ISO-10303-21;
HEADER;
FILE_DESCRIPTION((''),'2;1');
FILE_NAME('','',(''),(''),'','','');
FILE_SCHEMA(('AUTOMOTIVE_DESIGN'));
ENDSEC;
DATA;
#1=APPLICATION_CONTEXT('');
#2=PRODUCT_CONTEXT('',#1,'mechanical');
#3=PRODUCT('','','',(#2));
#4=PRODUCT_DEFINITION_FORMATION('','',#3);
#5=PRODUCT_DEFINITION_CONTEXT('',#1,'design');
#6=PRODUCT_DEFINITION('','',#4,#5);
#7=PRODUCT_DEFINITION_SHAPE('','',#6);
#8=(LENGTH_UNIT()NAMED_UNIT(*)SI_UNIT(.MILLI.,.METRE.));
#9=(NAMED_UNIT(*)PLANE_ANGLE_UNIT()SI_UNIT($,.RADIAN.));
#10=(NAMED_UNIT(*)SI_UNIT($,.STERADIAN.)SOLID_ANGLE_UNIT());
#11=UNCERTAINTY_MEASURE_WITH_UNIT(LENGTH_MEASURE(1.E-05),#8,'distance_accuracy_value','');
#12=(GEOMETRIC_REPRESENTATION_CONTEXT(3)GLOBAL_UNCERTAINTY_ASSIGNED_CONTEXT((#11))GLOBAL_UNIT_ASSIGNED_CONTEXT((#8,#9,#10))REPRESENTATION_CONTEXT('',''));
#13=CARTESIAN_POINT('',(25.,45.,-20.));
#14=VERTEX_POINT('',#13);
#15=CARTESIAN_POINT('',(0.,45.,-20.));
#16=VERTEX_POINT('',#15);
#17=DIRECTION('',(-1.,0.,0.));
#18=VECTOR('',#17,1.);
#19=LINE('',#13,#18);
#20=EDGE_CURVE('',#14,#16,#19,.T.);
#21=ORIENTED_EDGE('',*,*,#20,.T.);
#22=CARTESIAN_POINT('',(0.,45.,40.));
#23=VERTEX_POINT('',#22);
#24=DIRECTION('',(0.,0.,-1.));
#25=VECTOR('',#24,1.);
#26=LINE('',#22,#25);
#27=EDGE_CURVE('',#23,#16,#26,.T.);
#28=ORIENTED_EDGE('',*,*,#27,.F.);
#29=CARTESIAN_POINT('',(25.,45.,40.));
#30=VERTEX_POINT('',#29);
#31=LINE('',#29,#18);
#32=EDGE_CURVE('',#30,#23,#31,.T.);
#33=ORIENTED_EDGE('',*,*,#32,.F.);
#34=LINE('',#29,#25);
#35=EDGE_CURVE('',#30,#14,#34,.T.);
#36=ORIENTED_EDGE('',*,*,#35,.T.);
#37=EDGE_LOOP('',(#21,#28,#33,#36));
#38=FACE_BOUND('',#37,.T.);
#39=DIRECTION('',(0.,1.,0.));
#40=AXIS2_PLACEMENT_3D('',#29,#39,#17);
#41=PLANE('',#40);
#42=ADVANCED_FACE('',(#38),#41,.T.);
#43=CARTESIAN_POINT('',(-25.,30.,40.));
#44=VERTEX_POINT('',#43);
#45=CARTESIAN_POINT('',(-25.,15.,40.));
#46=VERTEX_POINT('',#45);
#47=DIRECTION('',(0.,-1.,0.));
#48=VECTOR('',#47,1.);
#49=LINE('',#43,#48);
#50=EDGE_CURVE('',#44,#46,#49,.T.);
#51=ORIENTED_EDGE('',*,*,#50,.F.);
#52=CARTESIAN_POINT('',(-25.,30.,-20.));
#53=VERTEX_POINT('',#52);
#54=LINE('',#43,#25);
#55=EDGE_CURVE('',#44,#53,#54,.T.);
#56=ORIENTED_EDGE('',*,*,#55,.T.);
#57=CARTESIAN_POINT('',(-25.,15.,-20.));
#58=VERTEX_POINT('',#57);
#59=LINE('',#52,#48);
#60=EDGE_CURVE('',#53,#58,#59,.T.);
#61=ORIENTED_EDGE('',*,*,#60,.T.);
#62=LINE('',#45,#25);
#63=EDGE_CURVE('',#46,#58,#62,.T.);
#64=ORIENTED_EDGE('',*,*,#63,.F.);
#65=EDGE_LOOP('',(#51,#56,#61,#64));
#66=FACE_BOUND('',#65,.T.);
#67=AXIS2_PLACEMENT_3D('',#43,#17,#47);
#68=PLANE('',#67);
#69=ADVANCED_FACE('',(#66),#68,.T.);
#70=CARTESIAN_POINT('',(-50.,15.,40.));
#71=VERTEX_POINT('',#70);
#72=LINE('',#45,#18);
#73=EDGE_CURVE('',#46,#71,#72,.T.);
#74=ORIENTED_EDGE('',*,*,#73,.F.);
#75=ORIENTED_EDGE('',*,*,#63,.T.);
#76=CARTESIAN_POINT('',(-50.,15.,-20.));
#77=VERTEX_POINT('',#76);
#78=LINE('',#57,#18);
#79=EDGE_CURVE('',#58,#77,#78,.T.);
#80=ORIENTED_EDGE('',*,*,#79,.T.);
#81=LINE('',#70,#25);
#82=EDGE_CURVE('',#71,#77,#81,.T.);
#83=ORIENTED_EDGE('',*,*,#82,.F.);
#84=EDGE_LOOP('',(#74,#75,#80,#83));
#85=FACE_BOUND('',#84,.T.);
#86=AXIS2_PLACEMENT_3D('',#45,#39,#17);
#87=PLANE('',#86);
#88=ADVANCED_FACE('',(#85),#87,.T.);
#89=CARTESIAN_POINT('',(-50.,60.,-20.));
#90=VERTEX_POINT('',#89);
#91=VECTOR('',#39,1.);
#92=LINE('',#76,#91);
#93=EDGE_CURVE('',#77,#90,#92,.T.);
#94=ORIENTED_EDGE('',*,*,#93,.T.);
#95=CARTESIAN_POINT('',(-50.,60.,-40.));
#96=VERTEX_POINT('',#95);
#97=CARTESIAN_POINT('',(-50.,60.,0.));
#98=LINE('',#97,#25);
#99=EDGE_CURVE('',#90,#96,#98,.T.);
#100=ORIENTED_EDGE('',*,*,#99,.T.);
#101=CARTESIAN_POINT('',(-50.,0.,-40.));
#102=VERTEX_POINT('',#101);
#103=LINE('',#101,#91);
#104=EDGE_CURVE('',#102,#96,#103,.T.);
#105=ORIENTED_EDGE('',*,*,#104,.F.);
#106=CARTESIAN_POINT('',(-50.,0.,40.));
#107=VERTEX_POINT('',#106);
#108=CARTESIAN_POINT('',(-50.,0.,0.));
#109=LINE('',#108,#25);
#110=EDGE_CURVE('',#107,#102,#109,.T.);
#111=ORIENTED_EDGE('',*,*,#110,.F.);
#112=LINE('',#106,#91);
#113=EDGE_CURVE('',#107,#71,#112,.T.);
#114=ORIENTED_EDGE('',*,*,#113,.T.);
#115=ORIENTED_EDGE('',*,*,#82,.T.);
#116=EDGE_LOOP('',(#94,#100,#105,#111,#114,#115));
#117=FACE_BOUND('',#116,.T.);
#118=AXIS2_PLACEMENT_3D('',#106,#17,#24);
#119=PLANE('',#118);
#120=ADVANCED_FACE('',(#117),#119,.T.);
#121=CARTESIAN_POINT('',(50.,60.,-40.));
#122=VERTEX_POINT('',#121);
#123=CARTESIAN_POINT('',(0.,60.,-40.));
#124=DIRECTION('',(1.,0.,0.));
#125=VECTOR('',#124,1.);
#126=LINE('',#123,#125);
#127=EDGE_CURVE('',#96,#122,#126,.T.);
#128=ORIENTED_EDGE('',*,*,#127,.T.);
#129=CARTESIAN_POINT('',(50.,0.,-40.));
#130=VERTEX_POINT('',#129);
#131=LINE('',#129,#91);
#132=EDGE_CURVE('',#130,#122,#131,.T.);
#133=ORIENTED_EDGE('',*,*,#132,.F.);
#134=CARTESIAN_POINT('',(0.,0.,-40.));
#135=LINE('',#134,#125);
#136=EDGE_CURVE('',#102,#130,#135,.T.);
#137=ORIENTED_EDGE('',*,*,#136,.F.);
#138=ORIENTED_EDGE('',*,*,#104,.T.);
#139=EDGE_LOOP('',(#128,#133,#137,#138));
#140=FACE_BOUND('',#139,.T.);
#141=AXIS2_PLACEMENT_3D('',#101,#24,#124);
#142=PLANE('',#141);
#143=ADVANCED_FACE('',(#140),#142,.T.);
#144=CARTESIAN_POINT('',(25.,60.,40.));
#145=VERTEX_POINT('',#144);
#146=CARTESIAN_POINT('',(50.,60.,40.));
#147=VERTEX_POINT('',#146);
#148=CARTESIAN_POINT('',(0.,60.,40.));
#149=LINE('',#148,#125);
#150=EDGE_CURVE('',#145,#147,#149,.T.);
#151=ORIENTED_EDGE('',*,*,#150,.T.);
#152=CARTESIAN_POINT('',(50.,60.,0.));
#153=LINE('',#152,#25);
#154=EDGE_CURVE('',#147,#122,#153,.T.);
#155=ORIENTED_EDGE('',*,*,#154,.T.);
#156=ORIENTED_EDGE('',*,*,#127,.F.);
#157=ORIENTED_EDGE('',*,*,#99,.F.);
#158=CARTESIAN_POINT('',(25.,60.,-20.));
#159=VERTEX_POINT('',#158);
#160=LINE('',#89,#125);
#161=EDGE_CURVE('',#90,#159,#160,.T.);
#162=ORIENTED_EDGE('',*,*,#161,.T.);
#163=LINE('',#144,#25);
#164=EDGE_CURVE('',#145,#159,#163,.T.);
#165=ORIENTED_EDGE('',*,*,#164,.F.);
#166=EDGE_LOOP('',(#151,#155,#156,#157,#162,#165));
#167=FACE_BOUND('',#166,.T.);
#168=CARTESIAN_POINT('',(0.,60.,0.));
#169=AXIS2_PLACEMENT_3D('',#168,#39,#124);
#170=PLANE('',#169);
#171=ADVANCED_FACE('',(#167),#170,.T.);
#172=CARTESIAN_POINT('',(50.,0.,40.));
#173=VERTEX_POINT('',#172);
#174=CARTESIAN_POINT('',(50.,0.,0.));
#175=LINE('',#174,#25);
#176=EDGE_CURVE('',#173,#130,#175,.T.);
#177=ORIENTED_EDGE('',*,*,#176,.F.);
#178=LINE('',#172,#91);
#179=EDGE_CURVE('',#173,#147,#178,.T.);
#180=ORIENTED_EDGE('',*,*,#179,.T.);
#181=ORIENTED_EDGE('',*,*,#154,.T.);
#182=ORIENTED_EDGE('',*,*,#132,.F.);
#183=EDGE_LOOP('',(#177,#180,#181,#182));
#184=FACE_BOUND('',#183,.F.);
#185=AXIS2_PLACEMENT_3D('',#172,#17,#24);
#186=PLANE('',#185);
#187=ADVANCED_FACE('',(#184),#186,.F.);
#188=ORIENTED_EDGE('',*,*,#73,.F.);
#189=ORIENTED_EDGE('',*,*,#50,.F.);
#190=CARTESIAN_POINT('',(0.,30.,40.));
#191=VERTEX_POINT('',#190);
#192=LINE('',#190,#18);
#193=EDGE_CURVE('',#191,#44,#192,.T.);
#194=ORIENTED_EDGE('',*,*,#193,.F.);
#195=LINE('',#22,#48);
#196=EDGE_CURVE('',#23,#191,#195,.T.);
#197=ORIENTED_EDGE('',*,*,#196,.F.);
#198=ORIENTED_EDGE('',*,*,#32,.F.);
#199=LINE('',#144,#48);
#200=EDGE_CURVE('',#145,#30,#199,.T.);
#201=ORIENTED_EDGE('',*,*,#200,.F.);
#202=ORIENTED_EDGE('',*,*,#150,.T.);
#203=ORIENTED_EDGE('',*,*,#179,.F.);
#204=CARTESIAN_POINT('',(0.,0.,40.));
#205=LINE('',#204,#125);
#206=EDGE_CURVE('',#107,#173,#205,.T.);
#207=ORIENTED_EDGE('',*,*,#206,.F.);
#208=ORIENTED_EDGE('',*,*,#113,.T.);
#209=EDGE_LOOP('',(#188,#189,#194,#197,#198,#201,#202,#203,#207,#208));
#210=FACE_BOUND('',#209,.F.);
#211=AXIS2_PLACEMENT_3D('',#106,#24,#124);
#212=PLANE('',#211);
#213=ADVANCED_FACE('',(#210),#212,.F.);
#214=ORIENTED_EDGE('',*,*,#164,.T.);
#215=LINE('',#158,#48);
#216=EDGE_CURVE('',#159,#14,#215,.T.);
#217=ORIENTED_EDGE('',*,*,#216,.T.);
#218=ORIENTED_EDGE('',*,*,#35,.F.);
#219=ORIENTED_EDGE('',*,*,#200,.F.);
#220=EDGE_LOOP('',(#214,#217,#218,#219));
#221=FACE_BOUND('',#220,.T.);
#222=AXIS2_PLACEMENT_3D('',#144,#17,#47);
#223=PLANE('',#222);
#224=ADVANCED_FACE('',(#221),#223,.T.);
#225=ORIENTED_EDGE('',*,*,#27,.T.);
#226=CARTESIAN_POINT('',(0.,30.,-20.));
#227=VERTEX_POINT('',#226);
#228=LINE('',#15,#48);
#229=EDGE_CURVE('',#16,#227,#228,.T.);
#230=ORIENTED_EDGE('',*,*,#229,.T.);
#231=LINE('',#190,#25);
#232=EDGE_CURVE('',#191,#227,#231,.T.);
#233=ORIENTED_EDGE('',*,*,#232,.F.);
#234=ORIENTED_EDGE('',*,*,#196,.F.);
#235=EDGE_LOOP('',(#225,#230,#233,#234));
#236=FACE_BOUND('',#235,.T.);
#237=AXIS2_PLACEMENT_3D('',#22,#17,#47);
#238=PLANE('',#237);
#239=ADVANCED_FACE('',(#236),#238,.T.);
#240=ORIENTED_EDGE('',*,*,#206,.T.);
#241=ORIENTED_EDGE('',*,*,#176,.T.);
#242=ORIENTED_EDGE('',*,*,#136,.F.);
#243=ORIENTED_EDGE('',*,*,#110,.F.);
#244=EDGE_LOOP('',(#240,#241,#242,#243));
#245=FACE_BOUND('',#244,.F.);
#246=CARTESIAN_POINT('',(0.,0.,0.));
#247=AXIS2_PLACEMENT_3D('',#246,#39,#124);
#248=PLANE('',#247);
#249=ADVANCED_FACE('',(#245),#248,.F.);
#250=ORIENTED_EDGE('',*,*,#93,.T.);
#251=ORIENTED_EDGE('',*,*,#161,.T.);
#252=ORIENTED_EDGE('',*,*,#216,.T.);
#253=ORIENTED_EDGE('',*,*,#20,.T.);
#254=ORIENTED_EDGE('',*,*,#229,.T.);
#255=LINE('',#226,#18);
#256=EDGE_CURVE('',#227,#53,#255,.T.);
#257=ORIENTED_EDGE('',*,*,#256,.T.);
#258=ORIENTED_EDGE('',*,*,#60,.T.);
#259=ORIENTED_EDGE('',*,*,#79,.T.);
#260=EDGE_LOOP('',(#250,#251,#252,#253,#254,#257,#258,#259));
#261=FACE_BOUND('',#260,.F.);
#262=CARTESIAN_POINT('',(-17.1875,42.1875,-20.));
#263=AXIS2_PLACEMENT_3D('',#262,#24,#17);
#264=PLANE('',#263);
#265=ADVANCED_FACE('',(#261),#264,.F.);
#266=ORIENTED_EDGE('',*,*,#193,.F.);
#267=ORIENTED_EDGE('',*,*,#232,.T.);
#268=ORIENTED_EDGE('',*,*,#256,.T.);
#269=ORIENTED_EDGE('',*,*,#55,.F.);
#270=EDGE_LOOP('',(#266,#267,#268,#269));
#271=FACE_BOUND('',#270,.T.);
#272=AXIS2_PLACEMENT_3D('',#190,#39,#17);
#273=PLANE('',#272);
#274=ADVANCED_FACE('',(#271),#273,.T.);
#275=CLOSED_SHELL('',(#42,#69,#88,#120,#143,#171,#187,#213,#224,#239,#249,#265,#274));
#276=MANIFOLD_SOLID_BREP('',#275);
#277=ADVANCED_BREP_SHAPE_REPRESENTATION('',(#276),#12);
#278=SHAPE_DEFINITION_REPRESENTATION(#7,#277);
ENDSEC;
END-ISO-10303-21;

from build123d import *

# Parameters (mm, degrees)
SKETCH1_W           = 100
SKETCH1_H           = 80
BOSS_EXTRUDE1_DEPTH = 60
CUT_EXTRUDE1_DEPTH  = 60


with BuildPart() as part:
    # Sketch1 → Boss-Extrude1 (new body)
    with BuildSketch(Plane(origin=(0, 0, 0), x_dir=(1, 0, 0), z_dir=(0, 1, 0))):
        Rectangle(SKETCH1_W, SKETCH1_H)
    extrude(amount=BOSS_EXTRUDE1_DEPTH)

    # Sketch2 → Cut-Extrude1 (cut)
    with BuildSketch(Plane.XY.offset(40)):
        Polygon((-50, 60), (25, 60), (25, 45), (0, 45), (0, 30), (-25, 30), (-25, 15), (-50, 15), align=None)
    extrude(amount=-CUT_EXTRUDE1_DEPTH, mode=Mode.SUBTRACT)


solid = part.part
